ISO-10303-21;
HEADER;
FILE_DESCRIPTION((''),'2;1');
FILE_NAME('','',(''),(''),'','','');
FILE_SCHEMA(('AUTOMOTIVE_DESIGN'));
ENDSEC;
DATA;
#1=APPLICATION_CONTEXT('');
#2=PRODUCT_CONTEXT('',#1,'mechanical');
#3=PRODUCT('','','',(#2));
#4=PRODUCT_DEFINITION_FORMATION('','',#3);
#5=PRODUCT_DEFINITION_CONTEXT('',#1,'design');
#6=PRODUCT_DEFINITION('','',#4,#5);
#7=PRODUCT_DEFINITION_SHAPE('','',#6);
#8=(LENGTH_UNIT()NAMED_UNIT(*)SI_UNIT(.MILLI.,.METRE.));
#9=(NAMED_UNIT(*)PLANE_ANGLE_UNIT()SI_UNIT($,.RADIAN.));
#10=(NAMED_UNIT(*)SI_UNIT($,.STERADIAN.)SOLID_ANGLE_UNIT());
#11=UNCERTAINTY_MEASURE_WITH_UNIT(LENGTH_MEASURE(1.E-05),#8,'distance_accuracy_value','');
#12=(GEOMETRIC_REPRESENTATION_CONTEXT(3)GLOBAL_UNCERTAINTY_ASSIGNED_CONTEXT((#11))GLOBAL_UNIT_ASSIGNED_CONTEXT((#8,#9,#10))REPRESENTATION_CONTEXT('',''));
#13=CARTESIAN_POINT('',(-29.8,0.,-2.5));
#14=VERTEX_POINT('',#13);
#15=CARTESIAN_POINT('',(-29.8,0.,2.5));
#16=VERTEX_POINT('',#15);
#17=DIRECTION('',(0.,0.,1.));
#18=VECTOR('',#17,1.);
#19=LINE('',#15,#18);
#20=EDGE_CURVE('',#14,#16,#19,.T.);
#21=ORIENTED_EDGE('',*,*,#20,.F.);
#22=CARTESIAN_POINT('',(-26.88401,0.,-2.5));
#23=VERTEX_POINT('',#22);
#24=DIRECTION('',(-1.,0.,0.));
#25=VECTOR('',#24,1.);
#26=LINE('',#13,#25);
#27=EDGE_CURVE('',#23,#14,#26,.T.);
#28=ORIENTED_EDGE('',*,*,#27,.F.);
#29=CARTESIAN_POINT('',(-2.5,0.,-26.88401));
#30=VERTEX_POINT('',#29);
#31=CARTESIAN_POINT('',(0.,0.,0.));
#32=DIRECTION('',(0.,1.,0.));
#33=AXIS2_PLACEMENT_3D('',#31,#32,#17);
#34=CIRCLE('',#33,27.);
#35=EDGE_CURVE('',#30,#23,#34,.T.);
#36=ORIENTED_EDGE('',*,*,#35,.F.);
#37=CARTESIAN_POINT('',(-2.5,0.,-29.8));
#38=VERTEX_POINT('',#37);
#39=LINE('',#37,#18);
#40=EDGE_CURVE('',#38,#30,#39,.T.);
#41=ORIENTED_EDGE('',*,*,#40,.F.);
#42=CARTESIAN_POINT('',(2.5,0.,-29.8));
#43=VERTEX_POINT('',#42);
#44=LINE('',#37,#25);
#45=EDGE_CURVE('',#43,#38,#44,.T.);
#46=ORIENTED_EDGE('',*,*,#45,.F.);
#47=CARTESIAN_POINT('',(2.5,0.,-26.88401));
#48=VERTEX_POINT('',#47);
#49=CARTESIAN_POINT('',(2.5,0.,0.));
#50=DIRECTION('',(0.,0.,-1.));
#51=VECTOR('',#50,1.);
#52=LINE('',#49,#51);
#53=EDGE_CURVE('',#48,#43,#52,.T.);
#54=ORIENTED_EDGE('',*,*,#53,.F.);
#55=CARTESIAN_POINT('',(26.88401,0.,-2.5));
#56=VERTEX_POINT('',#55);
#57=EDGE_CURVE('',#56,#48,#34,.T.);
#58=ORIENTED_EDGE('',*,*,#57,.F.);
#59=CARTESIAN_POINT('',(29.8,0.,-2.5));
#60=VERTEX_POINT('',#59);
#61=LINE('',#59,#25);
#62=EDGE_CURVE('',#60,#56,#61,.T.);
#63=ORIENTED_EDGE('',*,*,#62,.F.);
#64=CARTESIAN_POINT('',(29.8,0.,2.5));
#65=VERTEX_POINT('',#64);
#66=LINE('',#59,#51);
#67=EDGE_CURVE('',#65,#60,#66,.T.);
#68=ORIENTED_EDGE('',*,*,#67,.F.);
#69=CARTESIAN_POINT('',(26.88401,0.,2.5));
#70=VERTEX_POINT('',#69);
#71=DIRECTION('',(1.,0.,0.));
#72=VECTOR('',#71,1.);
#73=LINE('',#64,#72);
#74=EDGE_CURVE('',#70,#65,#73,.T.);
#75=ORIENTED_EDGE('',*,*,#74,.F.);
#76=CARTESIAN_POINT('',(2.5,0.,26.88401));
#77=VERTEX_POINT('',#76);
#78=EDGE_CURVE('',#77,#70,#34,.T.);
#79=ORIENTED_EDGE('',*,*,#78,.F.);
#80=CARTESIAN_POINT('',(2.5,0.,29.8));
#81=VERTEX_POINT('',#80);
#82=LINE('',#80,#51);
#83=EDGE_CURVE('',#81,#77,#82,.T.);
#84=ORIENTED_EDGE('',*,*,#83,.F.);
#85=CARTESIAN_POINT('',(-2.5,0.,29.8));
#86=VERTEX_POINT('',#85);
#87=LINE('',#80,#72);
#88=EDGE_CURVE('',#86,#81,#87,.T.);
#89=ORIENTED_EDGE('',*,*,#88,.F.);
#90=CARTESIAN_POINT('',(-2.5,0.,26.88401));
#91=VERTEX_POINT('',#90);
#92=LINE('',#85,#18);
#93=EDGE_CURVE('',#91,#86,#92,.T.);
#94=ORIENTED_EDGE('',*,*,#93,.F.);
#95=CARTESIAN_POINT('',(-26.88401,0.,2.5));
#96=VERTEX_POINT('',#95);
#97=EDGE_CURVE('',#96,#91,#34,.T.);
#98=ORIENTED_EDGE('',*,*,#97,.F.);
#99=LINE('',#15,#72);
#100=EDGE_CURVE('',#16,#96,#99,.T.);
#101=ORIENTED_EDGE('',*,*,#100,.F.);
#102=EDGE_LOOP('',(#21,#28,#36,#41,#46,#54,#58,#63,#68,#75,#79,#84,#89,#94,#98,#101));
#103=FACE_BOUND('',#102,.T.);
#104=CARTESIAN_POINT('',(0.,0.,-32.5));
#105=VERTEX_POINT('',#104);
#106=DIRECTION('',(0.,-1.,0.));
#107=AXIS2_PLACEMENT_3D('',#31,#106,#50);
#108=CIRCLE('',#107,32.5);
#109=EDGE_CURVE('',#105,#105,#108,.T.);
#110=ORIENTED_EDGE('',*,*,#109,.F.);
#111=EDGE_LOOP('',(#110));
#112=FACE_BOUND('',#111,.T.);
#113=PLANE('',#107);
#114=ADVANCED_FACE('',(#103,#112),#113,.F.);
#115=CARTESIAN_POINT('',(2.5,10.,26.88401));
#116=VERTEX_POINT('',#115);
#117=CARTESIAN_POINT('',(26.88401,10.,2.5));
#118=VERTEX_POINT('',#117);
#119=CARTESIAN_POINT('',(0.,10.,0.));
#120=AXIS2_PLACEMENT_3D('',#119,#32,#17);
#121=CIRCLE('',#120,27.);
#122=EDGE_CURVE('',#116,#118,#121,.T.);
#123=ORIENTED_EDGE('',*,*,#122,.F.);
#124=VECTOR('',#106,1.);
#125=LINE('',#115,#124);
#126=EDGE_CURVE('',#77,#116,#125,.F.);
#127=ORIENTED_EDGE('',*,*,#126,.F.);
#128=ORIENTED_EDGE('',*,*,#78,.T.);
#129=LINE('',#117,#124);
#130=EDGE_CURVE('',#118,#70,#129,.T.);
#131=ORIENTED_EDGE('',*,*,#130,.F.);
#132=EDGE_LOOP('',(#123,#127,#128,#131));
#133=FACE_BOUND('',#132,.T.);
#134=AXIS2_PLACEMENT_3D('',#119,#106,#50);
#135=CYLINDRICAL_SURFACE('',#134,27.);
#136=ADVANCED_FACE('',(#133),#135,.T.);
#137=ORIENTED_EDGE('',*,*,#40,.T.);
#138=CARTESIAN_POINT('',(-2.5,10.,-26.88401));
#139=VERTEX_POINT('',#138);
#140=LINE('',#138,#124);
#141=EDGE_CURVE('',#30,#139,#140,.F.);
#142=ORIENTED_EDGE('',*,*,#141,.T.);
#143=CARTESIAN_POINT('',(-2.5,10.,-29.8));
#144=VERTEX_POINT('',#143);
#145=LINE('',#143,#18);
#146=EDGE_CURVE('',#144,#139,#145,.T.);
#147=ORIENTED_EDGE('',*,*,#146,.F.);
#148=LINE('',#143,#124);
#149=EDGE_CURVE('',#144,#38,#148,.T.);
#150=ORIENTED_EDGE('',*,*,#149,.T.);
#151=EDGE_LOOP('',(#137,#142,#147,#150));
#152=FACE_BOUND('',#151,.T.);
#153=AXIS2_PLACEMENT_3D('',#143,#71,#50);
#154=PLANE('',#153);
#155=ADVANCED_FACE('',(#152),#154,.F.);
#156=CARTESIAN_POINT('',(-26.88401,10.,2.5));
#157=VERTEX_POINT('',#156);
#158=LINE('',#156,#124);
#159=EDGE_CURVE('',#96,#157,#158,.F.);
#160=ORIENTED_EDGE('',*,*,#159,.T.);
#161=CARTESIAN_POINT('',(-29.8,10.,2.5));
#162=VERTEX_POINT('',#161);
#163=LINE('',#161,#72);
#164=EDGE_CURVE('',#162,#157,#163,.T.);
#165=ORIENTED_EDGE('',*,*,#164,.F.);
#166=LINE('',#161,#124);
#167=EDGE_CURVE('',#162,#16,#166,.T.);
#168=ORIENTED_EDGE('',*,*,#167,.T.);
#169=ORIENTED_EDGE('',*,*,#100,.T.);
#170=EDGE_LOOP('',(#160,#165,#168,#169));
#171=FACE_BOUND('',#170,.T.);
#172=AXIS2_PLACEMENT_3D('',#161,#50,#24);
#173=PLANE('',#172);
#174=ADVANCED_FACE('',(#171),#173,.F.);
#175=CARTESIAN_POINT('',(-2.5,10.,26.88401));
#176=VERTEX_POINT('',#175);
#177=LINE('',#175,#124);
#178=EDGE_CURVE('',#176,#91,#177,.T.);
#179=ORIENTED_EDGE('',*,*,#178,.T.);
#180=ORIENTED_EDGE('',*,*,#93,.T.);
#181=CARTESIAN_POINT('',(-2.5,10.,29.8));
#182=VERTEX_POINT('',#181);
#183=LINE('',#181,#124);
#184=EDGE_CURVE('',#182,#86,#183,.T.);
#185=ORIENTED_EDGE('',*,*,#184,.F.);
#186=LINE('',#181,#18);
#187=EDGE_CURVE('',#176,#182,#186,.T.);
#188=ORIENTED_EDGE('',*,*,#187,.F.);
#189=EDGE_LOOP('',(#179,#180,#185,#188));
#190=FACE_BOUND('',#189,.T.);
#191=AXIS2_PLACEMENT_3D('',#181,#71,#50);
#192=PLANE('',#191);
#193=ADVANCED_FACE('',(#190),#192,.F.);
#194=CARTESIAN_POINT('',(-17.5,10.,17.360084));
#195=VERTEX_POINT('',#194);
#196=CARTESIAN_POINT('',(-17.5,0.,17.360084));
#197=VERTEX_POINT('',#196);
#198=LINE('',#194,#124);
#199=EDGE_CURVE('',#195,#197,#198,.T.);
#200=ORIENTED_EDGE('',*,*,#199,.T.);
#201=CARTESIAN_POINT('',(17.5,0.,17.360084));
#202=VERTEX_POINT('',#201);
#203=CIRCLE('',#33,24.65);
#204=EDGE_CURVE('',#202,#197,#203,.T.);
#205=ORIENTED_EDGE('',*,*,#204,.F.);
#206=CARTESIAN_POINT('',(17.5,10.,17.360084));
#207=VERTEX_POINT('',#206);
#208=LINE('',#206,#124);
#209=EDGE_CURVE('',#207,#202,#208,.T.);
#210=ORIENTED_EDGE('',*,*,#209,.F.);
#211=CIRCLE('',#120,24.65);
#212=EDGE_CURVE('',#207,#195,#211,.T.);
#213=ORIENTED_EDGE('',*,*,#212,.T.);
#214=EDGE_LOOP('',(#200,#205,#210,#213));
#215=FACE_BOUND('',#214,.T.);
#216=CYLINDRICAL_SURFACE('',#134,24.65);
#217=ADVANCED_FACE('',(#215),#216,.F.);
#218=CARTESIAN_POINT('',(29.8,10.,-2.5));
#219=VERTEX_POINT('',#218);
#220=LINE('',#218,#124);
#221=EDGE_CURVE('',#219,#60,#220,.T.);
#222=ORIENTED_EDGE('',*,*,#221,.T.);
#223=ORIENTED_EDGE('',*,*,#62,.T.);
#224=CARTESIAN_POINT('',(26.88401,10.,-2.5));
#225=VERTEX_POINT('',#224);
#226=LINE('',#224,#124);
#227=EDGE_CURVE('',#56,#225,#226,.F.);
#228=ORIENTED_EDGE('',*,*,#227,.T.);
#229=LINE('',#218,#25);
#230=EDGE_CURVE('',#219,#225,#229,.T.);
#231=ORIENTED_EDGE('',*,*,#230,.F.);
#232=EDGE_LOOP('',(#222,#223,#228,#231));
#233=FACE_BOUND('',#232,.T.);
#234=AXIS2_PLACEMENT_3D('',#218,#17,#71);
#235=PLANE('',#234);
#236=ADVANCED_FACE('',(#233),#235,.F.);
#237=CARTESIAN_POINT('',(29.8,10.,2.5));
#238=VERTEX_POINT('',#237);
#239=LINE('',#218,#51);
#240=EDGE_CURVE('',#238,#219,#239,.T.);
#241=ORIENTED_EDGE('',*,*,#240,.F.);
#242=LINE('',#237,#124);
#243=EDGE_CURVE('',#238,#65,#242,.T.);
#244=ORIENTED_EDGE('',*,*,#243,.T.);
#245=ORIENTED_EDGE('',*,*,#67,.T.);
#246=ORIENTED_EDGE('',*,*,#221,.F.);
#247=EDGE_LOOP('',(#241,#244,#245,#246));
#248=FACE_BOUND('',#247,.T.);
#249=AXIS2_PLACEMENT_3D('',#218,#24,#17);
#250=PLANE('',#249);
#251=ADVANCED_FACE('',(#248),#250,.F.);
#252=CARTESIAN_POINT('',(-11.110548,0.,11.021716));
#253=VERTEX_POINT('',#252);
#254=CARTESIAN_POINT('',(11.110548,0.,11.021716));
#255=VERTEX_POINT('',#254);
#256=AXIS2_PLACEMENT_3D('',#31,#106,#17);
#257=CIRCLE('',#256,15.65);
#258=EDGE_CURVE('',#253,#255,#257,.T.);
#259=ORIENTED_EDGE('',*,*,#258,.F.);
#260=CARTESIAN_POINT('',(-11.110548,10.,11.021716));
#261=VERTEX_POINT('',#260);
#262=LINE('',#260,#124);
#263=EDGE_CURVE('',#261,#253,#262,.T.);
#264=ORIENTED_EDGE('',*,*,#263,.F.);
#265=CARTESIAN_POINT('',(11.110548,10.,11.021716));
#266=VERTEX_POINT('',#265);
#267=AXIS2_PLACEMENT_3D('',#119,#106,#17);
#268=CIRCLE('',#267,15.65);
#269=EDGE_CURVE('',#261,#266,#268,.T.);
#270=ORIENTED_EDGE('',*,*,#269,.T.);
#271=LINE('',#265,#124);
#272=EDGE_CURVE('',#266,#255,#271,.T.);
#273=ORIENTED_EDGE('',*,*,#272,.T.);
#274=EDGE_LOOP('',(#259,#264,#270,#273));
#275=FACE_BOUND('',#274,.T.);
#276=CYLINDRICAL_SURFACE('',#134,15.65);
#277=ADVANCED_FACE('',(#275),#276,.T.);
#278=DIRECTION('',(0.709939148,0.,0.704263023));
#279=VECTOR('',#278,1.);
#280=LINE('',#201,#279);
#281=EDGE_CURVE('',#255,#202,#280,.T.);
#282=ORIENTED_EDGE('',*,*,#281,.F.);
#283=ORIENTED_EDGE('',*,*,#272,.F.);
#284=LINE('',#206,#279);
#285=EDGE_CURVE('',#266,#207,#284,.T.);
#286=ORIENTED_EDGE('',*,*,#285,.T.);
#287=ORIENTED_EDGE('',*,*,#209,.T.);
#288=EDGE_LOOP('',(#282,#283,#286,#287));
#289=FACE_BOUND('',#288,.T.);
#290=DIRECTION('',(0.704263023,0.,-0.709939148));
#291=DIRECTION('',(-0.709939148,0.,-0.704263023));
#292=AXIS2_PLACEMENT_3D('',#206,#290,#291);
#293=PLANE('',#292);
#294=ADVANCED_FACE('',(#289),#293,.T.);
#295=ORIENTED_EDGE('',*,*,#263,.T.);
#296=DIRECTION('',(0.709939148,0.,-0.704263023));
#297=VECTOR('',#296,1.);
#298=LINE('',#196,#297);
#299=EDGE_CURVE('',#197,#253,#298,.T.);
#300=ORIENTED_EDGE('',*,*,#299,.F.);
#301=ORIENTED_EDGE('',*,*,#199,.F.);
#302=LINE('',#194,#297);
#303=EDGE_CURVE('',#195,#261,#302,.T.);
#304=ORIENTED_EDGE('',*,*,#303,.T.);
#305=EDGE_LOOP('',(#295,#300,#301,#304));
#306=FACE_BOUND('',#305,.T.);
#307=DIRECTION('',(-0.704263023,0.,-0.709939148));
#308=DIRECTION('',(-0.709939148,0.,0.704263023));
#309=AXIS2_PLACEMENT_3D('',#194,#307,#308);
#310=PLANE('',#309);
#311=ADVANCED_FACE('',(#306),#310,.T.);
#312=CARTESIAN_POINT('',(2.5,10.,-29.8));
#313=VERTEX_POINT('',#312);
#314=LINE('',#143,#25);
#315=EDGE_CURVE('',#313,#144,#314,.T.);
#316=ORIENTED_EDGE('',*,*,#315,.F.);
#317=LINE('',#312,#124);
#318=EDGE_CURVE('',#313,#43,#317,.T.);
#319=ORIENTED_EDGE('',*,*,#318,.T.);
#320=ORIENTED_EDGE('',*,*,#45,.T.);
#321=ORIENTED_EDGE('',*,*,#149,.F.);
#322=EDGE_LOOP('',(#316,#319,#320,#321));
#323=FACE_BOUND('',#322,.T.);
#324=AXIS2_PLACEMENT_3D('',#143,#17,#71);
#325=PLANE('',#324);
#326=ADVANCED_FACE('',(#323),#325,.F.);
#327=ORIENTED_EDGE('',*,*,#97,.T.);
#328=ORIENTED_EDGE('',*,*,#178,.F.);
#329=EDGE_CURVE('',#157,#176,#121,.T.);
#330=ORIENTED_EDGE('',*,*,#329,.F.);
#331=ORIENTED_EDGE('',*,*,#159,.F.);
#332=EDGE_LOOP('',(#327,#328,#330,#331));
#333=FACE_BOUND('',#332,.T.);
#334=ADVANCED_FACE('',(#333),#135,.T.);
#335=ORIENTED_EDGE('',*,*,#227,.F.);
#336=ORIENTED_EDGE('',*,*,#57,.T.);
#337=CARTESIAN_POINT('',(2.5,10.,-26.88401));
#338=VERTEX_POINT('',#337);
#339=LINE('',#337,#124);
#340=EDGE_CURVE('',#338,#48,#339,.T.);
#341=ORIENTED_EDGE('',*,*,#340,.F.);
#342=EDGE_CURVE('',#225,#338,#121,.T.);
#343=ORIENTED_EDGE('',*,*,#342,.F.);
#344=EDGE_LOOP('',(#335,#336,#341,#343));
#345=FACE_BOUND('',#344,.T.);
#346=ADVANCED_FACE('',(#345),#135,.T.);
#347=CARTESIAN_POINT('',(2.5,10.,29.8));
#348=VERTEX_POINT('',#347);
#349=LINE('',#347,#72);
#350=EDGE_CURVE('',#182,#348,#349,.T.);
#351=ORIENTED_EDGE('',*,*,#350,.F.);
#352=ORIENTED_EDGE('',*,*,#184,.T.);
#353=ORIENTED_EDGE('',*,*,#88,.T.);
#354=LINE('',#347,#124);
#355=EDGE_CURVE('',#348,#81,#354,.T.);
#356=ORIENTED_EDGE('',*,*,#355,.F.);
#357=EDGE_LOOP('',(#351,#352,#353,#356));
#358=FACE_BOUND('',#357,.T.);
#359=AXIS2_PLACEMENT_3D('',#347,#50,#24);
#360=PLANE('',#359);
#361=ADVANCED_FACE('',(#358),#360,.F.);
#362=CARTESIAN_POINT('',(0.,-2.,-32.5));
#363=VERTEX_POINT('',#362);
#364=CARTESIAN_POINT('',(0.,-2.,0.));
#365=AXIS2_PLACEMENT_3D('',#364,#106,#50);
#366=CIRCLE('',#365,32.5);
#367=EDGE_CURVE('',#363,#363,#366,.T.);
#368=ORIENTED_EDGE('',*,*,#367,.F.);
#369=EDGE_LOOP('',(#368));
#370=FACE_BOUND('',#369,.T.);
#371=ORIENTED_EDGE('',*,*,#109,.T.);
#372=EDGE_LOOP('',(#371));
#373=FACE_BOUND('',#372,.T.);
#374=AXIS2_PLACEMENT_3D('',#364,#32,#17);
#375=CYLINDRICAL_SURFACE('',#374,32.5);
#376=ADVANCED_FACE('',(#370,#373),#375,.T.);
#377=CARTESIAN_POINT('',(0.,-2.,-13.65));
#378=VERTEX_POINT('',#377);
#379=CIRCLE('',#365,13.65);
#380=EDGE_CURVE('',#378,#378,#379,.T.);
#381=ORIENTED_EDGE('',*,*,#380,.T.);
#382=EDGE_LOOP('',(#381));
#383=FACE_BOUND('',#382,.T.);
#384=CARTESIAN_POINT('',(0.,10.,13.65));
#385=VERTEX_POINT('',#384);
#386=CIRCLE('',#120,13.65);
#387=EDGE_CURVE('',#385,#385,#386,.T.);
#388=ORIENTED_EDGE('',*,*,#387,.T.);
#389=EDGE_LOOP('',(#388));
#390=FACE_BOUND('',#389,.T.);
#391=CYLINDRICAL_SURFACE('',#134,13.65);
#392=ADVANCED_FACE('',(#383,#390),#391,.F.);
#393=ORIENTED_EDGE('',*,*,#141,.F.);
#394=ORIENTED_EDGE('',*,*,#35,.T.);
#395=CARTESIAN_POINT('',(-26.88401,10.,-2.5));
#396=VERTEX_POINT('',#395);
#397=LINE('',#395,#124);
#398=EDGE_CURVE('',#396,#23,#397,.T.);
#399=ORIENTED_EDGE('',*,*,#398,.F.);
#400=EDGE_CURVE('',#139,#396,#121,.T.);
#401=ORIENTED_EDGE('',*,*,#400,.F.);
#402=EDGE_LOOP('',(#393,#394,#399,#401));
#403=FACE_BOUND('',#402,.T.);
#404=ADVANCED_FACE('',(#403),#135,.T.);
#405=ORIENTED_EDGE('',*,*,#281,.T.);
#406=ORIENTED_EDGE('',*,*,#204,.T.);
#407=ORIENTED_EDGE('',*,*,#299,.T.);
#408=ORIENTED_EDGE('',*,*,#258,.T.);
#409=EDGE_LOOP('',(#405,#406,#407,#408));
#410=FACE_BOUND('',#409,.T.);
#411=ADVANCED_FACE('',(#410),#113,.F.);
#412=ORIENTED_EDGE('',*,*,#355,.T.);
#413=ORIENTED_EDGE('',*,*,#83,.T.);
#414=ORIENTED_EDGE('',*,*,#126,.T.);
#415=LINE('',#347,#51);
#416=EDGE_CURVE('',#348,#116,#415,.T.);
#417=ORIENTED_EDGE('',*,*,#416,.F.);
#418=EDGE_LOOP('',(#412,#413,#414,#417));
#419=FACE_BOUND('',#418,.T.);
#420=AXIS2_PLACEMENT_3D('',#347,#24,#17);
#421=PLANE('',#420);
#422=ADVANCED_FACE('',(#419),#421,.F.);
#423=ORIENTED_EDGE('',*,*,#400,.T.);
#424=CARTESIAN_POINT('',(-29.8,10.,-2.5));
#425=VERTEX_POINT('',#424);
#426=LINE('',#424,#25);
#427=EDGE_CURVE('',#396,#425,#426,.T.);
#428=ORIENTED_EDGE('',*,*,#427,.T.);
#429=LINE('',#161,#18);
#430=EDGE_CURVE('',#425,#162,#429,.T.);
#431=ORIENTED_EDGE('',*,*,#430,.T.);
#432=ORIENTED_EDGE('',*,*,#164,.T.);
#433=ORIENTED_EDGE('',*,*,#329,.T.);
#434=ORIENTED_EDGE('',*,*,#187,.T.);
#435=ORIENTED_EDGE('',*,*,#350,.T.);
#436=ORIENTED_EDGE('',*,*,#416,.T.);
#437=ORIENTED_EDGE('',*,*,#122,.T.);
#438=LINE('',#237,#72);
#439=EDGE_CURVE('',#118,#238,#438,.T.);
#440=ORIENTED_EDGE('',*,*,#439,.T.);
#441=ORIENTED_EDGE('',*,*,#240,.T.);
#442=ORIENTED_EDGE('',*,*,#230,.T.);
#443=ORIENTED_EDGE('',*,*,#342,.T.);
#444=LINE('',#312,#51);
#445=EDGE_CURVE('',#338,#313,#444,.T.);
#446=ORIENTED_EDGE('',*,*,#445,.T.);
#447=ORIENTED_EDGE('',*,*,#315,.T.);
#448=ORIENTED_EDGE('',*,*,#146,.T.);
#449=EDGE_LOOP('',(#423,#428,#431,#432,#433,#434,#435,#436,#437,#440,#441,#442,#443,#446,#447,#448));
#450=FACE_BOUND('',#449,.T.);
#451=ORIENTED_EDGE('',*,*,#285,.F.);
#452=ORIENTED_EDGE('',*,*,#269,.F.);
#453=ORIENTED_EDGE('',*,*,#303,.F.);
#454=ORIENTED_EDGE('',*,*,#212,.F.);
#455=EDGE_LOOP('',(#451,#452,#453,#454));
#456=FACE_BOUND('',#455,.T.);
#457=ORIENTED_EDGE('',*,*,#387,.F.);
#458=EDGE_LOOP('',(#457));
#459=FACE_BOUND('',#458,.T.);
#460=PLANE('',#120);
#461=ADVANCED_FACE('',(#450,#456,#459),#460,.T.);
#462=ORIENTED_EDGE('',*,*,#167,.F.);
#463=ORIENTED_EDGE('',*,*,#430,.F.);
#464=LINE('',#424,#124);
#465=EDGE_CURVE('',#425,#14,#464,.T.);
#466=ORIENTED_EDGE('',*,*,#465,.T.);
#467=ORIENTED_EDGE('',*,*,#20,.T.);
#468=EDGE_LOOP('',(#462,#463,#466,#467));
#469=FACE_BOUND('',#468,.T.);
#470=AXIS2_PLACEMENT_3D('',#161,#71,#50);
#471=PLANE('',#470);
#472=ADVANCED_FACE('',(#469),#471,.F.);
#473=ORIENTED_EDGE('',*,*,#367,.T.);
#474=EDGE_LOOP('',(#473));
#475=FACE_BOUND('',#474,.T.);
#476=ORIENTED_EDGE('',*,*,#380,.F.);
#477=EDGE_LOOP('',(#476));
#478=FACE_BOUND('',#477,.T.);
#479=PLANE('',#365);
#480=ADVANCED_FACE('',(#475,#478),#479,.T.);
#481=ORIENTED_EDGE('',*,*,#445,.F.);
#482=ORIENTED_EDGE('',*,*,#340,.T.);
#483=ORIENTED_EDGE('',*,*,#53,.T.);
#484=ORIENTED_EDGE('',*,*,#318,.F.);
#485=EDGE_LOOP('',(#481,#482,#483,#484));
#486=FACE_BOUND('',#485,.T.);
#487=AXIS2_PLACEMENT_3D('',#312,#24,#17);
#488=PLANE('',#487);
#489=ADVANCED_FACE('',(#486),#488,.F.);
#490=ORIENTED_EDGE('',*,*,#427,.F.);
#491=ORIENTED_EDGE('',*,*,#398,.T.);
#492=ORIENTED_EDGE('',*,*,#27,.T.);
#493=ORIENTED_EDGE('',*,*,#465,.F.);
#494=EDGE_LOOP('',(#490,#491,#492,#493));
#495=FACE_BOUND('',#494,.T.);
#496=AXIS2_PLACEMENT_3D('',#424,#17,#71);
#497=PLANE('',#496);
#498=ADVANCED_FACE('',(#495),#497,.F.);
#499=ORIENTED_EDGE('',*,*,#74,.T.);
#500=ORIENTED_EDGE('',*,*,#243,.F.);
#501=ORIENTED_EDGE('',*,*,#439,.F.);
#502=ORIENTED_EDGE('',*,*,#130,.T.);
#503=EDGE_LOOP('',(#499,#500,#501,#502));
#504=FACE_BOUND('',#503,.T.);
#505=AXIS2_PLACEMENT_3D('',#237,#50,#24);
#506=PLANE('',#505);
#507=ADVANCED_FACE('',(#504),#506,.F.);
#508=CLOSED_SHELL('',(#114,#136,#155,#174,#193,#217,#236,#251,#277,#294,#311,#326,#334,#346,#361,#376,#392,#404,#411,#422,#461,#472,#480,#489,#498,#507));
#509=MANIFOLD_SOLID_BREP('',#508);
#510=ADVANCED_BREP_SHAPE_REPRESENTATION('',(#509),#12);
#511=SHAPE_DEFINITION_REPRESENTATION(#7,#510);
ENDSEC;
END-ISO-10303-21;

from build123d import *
from build123d.topology import SkipClean

# Parameters (mm, degrees)
SKETCH1_R           = 27
SKETCH1_R_2         = 13.65
BOSS_EXTRUDE1_DEPTH = 10
BOSS_EXTRUDE2_START = 2
SKETCH2_R           = 32.5
SKETCH2_R_2         = 13.65
BOSS_EXTRUDE2_DEPTH = 2
SKETCH3_W           = 5
SKETCH3_H           = 4.39677325
SKETCH3_W_2         = 4.39677325
SKETCH3_H_2         = 5
BOSS_EXTRUDE3_DEPTH = 10


with BuildPart() as part:
    # Sketch1 → Boss-Extrude1 (new body)
    with BuildSketch(Plane(origin=(0, 0, 0), x_dir=(1, 0, 0), z_dir=(0, 1, 0))):
        with Locations(Location((0, 0, 0), (0, 0, 270))):
            Circle(SKETCH1_R)
        with Locations(Location((0, 0, 0), (0, 0, 270))):
            Circle(SKETCH1_R_2, mode=Mode.SUBTRACT)
        with BuildLine():
            Line((-17.5, -17.360083525), (-11.110547667, -11.021716315))
            ThreePointArc((-11.110547667, -11.021716315), (0, 15.65), (11.110547667, -11.021716315))
            Line((11.110547667, -11.021716315), (17.5, -17.360083525))
            ThreePointArc((17.5, -17.360083525), (0, 24.65), (-17.5, -17.360083525))
        make_face(mode=Mode.SUBTRACT)
    extrude(amount=BOSS_EXTRUDE1_DEPTH)

    # Sketch2 → Boss-Extrude2 (add)
    with SkipClean():  # the faces are left unmerged after this step: merging them gives an invalid solid
        with BuildSketch(Plane.XZ.offset(BOSS_EXTRUDE2_START)):
            with Locations(Location((0, 0, 0), (0, 0, 270))):
                Circle(SKETCH2_R)
            with Locations(Location((0, 0, 0), (0, 0, 270))):
                Circle(SKETCH2_R_2, mode=Mode.SUBTRACT)
        extrude(amount=-BOSS_EXTRUDE2_DEPTH)

    # Sketch3 → Boss-Extrude3 (add)
    with SkipClean():  # the faces are left unmerged after this step: merging them gives an invalid solid
        with BuildSketch(Plane(origin=(0, 0, 0), x_dir=(1, 0, 0), z_dir=(0, 1, 0))):
            with Locations((0, 27.601613375)):
                Rectangle(SKETCH3_W, SKETCH3_H)
            with Locations((27.601613375, 0)):
                Rectangle(SKETCH3_W_2, SKETCH3_H_2)
            with Locations((0, -27.601613375)):
                Rectangle(SKETCH3_W, SKETCH3_H)
            with Locations((-27.601613375, 0)):
                Rectangle(SKETCH3_W_2, SKETCH3_H_2)
        extrude(amount=BOSS_EXTRUDE3_DEPTH)


solid = part.part
